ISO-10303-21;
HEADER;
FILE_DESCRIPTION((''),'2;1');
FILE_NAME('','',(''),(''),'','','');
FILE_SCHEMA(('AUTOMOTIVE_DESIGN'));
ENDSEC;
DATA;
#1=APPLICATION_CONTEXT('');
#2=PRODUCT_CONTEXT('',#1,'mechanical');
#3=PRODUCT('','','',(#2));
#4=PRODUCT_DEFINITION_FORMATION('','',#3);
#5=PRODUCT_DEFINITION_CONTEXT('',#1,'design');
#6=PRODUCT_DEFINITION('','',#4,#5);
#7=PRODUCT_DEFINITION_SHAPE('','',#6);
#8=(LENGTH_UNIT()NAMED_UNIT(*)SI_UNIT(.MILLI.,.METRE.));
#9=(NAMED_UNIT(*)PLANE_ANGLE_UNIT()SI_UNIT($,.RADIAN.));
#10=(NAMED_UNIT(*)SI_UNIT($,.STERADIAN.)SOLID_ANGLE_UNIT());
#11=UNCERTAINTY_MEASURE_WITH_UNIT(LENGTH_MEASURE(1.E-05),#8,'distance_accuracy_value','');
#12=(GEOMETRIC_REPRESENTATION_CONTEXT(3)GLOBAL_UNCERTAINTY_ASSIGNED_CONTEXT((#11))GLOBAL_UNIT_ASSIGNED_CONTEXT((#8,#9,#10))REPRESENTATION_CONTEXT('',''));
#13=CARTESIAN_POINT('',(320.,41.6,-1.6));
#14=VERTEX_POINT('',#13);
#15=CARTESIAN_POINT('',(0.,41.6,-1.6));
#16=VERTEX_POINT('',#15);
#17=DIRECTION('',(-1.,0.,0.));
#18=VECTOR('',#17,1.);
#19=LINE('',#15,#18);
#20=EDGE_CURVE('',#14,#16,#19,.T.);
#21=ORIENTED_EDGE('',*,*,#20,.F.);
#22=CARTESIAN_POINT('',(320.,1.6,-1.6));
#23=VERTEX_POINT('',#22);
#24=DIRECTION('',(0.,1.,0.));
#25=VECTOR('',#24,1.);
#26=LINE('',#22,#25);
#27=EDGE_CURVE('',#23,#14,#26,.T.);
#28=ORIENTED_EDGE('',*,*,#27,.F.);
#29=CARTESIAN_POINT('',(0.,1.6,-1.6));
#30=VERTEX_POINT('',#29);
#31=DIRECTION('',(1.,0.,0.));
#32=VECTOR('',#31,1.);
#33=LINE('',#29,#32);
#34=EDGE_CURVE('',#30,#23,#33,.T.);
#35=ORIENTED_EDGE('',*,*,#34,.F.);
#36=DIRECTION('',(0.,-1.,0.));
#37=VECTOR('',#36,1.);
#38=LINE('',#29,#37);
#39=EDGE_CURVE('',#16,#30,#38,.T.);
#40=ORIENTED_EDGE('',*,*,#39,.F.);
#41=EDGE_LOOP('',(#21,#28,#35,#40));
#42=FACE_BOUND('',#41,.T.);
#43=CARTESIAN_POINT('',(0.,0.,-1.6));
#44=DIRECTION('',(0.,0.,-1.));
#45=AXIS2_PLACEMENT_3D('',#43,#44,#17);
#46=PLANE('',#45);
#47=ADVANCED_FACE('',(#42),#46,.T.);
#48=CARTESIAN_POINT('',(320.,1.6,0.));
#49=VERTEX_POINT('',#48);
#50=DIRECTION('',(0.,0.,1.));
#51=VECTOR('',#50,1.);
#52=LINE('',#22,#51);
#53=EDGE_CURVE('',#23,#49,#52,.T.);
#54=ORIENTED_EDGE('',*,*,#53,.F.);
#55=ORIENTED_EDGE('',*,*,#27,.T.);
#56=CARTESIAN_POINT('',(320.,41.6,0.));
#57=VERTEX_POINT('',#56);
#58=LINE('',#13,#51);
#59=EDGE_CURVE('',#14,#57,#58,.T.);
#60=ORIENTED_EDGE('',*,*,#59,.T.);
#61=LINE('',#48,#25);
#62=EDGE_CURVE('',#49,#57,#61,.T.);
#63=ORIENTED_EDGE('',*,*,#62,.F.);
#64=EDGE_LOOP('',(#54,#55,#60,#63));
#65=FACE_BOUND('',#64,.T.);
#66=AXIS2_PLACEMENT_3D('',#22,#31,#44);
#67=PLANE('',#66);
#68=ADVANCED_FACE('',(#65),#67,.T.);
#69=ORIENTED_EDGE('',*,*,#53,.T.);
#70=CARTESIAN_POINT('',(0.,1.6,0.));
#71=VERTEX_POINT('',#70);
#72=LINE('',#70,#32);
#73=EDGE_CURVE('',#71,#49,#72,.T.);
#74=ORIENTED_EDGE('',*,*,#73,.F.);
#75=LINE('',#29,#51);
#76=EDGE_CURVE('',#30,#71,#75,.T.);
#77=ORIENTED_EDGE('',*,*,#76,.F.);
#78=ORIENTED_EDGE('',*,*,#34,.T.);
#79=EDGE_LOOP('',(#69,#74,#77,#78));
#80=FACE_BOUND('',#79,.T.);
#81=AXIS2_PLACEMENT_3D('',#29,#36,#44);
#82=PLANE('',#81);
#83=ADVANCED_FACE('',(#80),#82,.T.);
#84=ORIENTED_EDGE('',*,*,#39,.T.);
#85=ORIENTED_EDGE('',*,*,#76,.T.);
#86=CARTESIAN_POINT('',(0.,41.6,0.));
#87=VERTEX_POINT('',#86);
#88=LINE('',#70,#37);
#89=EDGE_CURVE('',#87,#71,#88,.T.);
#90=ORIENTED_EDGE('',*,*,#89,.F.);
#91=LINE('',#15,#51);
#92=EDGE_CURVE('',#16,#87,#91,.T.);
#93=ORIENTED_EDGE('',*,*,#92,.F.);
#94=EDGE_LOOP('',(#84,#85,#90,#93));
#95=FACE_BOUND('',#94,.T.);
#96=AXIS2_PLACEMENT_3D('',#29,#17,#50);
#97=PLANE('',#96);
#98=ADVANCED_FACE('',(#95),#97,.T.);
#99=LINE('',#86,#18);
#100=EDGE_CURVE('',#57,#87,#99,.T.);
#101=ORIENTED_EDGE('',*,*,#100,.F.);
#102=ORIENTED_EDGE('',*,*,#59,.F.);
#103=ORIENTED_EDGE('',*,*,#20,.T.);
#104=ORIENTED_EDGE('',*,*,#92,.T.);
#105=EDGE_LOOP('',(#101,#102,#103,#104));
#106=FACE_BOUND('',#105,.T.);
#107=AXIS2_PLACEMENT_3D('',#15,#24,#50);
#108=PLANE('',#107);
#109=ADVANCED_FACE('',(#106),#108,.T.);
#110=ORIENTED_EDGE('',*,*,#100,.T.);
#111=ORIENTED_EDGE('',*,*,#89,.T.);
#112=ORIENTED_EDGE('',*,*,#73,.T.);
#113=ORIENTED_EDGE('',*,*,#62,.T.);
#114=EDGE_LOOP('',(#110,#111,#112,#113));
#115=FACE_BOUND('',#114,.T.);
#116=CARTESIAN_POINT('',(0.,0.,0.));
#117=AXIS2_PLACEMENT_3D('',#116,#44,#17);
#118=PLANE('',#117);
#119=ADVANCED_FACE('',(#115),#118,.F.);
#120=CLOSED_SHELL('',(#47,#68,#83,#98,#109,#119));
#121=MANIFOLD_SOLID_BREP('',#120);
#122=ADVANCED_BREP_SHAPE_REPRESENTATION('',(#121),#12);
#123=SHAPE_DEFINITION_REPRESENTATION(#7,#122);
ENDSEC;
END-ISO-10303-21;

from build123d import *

# Parameters (mm, degrees)
SKETCH1_W             = 320
SKETCH1_H             = 40
KUTU_DUVAR_ON_1_DEPTH = 1.6


with BuildPart() as part:
    # Sketch1 → KUTU_duvar_on_1 (new body)
    with BuildSketch(Plane.XY):
        with Locations((160, 21.6)):
            Rectangle(SKETCH1_W, SKETCH1_H)
    extrude(amount=-KUTU_DUVAR_ON_1_DEPTH)


solid = part.part
